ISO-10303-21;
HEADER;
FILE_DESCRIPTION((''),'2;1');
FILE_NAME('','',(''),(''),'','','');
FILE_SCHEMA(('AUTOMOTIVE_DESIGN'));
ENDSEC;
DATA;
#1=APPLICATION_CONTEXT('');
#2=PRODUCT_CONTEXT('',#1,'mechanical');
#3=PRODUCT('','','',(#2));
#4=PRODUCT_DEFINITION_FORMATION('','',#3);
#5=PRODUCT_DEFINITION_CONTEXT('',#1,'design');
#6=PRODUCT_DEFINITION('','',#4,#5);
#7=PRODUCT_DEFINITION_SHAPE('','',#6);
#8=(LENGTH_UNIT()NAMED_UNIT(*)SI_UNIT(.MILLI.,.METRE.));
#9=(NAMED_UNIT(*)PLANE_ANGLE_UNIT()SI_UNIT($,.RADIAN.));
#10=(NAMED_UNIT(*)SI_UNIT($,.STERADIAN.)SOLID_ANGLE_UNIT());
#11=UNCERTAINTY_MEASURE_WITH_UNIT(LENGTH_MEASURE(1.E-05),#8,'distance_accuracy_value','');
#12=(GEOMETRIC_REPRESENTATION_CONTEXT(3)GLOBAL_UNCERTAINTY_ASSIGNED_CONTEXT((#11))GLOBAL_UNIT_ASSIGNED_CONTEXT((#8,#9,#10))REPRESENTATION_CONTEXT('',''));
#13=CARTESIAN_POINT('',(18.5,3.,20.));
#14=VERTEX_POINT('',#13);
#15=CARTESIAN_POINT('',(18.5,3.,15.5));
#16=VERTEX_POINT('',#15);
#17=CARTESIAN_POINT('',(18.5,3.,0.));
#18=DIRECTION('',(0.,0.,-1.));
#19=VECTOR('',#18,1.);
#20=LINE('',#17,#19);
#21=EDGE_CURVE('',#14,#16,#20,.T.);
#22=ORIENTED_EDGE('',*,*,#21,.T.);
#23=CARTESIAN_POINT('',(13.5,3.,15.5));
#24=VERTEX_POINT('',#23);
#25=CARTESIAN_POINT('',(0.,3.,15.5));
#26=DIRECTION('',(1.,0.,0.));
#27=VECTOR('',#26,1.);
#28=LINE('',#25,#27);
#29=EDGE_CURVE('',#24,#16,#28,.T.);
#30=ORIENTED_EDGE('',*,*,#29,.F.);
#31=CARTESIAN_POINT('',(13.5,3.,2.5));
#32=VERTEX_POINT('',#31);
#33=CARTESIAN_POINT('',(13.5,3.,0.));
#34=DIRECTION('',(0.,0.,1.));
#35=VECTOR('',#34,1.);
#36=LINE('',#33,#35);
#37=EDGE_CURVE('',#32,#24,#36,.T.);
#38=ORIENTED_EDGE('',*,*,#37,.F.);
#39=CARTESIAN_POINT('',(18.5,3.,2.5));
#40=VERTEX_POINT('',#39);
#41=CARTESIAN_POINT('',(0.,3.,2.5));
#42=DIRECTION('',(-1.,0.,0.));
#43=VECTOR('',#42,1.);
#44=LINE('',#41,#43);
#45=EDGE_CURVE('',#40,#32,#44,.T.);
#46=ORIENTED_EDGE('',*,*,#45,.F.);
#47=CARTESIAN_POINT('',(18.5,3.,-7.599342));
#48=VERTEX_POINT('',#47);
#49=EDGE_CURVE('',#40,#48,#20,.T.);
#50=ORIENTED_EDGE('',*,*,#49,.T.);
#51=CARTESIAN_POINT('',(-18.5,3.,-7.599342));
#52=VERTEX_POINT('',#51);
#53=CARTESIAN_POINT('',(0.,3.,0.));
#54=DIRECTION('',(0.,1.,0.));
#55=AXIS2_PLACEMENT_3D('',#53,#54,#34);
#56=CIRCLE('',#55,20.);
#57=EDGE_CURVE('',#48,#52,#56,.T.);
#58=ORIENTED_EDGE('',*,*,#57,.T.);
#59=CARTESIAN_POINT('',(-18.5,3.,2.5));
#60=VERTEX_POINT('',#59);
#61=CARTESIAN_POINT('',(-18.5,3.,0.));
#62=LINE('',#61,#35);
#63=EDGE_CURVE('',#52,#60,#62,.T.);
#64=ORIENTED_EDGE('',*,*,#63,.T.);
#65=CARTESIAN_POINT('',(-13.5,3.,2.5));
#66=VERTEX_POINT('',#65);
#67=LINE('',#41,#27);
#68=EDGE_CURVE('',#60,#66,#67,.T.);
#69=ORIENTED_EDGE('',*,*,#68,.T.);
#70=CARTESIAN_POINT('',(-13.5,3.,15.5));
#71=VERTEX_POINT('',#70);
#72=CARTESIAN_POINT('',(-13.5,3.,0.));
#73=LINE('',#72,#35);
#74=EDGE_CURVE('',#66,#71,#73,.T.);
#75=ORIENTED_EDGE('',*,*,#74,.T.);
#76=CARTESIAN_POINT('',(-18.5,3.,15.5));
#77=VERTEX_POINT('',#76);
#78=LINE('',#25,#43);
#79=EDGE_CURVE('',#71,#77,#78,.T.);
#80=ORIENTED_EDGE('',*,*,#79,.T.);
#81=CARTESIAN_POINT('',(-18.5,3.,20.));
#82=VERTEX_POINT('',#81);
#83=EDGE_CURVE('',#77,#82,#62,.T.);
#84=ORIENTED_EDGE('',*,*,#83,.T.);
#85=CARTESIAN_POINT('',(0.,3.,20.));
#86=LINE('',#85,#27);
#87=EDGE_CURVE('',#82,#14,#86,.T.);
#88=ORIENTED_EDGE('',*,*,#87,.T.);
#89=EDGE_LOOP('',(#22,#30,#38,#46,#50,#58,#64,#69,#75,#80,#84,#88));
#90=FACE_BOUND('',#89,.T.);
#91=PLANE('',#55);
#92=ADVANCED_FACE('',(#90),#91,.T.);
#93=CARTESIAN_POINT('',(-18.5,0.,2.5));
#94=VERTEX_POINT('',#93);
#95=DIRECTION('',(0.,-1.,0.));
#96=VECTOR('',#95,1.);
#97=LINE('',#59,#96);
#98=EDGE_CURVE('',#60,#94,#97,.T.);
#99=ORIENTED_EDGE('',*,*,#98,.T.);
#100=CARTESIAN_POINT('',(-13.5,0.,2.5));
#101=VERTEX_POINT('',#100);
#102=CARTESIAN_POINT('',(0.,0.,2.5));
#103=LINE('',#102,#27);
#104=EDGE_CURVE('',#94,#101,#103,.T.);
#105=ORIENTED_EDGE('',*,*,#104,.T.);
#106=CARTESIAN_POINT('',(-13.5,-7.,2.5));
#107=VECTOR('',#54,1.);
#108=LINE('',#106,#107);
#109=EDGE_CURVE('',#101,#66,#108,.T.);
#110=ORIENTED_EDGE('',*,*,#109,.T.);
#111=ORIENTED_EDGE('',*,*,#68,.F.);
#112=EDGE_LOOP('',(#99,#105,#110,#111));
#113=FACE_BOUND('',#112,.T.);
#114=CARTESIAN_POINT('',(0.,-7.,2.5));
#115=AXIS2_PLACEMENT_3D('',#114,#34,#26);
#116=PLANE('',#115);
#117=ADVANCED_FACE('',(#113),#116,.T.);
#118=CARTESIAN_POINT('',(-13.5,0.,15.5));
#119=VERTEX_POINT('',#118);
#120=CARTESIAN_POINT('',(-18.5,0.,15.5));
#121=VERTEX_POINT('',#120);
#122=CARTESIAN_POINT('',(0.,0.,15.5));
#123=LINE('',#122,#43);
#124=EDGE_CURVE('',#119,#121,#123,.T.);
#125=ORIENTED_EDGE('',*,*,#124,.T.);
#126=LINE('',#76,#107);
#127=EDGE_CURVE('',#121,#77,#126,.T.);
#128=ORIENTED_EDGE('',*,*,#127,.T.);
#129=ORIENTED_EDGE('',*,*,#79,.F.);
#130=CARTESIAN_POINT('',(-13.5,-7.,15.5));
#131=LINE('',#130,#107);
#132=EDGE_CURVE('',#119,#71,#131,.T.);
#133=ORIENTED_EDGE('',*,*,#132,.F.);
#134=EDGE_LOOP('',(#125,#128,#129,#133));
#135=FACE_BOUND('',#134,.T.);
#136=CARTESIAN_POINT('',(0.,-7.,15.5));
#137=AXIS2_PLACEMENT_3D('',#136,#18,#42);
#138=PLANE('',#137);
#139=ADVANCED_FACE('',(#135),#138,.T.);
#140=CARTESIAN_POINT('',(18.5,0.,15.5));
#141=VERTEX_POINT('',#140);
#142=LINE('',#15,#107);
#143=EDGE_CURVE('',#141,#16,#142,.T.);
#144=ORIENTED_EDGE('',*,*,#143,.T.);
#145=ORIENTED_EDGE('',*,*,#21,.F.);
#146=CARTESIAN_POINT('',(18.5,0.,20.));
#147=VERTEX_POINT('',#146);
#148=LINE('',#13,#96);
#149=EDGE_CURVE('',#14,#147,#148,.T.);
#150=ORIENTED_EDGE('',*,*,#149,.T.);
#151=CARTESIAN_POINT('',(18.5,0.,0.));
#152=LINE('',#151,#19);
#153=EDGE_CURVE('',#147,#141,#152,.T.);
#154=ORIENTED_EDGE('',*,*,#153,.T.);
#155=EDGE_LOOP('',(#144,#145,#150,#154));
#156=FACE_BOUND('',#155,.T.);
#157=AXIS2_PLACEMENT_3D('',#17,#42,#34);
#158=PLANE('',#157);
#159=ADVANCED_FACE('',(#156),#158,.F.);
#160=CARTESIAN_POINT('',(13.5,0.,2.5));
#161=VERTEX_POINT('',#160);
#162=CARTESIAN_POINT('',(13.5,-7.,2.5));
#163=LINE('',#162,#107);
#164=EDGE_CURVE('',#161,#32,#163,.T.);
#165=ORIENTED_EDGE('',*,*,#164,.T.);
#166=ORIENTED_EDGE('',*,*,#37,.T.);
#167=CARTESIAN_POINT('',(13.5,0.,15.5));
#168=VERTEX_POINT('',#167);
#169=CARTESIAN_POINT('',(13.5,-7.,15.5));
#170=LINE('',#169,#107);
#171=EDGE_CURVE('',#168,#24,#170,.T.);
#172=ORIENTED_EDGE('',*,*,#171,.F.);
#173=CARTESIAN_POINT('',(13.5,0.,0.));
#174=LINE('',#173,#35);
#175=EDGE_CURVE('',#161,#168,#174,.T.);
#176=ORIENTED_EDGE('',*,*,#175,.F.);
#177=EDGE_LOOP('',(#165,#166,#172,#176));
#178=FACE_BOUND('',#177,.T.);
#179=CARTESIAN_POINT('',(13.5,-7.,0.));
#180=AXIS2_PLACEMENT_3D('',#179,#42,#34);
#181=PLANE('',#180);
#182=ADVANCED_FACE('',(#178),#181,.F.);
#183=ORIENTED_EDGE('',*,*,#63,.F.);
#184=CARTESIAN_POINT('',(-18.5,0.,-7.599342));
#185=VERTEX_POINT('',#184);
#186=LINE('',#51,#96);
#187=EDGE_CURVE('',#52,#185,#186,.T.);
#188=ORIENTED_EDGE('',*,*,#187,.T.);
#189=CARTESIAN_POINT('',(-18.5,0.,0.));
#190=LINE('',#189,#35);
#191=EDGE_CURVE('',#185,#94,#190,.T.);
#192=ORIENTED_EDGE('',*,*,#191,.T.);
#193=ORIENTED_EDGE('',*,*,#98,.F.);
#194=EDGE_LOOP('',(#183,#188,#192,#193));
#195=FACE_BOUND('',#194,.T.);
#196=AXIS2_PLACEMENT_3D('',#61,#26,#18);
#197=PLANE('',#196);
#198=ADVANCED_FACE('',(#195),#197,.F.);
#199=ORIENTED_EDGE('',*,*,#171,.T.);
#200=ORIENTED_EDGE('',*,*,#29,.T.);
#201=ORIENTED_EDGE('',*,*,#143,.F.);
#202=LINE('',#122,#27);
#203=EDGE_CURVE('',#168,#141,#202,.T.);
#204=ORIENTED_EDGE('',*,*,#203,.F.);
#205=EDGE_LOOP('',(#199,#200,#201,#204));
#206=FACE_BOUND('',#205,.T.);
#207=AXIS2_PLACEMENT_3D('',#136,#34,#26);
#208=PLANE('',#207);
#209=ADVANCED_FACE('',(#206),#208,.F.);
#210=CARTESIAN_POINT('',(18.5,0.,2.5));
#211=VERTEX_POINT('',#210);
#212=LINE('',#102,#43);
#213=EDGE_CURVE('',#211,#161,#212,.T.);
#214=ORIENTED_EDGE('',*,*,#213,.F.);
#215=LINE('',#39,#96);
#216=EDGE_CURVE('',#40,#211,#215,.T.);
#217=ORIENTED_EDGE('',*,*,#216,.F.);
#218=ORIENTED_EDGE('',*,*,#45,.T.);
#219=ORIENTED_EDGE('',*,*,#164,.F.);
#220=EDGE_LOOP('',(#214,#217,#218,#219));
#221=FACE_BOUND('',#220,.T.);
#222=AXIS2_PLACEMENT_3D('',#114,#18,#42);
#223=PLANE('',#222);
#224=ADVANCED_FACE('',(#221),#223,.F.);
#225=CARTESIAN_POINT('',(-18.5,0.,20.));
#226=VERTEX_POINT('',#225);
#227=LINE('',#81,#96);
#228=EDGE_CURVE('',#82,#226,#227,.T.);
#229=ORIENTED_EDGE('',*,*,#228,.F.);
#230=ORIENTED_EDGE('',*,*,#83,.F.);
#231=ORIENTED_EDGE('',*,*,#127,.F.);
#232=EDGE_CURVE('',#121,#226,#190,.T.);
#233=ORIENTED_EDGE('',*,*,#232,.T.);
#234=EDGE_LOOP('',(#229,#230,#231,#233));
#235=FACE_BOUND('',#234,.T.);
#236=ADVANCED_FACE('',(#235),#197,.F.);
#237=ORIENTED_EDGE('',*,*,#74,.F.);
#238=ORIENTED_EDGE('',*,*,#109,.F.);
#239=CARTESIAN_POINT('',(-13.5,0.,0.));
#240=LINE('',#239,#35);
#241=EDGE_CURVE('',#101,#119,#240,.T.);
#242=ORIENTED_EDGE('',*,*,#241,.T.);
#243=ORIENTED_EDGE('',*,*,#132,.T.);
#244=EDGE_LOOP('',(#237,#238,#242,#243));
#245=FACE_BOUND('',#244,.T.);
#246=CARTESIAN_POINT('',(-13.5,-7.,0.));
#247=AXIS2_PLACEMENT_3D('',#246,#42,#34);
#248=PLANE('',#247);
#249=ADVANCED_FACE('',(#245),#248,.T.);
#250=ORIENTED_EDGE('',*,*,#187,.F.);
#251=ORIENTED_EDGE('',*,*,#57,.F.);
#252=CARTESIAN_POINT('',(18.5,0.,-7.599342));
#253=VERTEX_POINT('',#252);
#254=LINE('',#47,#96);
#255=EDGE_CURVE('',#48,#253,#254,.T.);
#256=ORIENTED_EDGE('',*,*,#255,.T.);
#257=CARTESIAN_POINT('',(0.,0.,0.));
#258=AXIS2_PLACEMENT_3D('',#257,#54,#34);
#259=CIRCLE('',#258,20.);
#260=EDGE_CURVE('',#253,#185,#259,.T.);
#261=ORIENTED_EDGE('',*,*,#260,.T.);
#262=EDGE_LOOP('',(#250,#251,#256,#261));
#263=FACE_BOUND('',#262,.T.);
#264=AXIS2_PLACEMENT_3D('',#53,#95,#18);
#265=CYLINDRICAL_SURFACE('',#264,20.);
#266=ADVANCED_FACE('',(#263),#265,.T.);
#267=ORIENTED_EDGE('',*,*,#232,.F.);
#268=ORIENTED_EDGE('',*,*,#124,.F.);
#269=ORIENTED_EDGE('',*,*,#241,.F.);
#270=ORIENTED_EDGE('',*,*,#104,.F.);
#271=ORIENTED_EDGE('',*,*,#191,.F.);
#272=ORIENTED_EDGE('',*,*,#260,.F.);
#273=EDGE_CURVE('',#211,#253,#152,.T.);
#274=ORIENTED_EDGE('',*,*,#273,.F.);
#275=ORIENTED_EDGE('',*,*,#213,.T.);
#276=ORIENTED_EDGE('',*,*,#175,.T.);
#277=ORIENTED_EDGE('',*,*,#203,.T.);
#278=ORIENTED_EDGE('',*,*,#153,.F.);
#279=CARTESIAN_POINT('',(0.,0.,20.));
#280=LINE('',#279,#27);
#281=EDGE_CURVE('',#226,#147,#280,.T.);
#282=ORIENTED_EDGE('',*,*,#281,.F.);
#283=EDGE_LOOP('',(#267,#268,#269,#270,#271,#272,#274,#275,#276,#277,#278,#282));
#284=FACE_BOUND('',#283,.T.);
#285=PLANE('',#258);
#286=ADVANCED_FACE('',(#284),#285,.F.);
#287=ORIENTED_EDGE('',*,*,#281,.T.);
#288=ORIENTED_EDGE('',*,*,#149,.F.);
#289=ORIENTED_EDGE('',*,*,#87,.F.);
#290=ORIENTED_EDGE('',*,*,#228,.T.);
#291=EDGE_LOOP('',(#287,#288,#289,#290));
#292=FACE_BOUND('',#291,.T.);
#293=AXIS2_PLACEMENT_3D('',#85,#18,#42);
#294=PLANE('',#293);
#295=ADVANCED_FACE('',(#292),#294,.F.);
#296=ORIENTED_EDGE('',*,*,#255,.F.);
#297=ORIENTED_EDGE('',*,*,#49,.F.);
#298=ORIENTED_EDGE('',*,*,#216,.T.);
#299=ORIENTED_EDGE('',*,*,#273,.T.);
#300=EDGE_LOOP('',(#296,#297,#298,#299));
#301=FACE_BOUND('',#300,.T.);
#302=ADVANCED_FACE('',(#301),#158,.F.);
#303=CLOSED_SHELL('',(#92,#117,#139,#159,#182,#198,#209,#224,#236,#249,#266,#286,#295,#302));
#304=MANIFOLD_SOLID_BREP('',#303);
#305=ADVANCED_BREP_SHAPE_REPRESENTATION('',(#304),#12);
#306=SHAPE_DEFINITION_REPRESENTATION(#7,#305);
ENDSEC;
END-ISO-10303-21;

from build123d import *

# Parameters (mm, degrees)
BOSS_EXTRUDE1_DEPTH = 3
SKETCH2_W           = 5
SKETCH2_H           = 13
CUT_EXTRUDE2_DEPTH  = 10


with BuildPart() as part:
    # Sketch1 → Boss-Extrude1 (new body)
    with BuildSketch(Plane(origin=(0, 0, 0), x_dir=(1, 0, 0), z_dir=(0, 1, 0))):
        with BuildLine():
            ThreePointArc((18.5, 7.599342077), (0, 20), (-18.5, 7.599342077))
            Line((-18.5, 7.599342077), (-18.5, -20))
            Line((-18.5, -20), (18.5, -20))
            Line((18.5, -20), (18.5, 7.599342077))
        make_face()
    extrude(amount=BOSS_EXTRUDE1_DEPTH)

    # Sketch2 → Cut-Extrude2 (cut)
    with BuildSketch(Plane(origin=(0, 3, 0), x_dir=(1, 0, 0), z_dir=(0, 1, 0))):
        with Locations((-16, -9)):
            Rectangle(SKETCH2_W, SKETCH2_H)
        with Locations((16, -9)):
            Rectangle(SKETCH2_W, SKETCH2_H)
    extrude(amount=-CUT_EXTRUDE2_DEPTH, mode=Mode.SUBTRACT)


solid = part.part
